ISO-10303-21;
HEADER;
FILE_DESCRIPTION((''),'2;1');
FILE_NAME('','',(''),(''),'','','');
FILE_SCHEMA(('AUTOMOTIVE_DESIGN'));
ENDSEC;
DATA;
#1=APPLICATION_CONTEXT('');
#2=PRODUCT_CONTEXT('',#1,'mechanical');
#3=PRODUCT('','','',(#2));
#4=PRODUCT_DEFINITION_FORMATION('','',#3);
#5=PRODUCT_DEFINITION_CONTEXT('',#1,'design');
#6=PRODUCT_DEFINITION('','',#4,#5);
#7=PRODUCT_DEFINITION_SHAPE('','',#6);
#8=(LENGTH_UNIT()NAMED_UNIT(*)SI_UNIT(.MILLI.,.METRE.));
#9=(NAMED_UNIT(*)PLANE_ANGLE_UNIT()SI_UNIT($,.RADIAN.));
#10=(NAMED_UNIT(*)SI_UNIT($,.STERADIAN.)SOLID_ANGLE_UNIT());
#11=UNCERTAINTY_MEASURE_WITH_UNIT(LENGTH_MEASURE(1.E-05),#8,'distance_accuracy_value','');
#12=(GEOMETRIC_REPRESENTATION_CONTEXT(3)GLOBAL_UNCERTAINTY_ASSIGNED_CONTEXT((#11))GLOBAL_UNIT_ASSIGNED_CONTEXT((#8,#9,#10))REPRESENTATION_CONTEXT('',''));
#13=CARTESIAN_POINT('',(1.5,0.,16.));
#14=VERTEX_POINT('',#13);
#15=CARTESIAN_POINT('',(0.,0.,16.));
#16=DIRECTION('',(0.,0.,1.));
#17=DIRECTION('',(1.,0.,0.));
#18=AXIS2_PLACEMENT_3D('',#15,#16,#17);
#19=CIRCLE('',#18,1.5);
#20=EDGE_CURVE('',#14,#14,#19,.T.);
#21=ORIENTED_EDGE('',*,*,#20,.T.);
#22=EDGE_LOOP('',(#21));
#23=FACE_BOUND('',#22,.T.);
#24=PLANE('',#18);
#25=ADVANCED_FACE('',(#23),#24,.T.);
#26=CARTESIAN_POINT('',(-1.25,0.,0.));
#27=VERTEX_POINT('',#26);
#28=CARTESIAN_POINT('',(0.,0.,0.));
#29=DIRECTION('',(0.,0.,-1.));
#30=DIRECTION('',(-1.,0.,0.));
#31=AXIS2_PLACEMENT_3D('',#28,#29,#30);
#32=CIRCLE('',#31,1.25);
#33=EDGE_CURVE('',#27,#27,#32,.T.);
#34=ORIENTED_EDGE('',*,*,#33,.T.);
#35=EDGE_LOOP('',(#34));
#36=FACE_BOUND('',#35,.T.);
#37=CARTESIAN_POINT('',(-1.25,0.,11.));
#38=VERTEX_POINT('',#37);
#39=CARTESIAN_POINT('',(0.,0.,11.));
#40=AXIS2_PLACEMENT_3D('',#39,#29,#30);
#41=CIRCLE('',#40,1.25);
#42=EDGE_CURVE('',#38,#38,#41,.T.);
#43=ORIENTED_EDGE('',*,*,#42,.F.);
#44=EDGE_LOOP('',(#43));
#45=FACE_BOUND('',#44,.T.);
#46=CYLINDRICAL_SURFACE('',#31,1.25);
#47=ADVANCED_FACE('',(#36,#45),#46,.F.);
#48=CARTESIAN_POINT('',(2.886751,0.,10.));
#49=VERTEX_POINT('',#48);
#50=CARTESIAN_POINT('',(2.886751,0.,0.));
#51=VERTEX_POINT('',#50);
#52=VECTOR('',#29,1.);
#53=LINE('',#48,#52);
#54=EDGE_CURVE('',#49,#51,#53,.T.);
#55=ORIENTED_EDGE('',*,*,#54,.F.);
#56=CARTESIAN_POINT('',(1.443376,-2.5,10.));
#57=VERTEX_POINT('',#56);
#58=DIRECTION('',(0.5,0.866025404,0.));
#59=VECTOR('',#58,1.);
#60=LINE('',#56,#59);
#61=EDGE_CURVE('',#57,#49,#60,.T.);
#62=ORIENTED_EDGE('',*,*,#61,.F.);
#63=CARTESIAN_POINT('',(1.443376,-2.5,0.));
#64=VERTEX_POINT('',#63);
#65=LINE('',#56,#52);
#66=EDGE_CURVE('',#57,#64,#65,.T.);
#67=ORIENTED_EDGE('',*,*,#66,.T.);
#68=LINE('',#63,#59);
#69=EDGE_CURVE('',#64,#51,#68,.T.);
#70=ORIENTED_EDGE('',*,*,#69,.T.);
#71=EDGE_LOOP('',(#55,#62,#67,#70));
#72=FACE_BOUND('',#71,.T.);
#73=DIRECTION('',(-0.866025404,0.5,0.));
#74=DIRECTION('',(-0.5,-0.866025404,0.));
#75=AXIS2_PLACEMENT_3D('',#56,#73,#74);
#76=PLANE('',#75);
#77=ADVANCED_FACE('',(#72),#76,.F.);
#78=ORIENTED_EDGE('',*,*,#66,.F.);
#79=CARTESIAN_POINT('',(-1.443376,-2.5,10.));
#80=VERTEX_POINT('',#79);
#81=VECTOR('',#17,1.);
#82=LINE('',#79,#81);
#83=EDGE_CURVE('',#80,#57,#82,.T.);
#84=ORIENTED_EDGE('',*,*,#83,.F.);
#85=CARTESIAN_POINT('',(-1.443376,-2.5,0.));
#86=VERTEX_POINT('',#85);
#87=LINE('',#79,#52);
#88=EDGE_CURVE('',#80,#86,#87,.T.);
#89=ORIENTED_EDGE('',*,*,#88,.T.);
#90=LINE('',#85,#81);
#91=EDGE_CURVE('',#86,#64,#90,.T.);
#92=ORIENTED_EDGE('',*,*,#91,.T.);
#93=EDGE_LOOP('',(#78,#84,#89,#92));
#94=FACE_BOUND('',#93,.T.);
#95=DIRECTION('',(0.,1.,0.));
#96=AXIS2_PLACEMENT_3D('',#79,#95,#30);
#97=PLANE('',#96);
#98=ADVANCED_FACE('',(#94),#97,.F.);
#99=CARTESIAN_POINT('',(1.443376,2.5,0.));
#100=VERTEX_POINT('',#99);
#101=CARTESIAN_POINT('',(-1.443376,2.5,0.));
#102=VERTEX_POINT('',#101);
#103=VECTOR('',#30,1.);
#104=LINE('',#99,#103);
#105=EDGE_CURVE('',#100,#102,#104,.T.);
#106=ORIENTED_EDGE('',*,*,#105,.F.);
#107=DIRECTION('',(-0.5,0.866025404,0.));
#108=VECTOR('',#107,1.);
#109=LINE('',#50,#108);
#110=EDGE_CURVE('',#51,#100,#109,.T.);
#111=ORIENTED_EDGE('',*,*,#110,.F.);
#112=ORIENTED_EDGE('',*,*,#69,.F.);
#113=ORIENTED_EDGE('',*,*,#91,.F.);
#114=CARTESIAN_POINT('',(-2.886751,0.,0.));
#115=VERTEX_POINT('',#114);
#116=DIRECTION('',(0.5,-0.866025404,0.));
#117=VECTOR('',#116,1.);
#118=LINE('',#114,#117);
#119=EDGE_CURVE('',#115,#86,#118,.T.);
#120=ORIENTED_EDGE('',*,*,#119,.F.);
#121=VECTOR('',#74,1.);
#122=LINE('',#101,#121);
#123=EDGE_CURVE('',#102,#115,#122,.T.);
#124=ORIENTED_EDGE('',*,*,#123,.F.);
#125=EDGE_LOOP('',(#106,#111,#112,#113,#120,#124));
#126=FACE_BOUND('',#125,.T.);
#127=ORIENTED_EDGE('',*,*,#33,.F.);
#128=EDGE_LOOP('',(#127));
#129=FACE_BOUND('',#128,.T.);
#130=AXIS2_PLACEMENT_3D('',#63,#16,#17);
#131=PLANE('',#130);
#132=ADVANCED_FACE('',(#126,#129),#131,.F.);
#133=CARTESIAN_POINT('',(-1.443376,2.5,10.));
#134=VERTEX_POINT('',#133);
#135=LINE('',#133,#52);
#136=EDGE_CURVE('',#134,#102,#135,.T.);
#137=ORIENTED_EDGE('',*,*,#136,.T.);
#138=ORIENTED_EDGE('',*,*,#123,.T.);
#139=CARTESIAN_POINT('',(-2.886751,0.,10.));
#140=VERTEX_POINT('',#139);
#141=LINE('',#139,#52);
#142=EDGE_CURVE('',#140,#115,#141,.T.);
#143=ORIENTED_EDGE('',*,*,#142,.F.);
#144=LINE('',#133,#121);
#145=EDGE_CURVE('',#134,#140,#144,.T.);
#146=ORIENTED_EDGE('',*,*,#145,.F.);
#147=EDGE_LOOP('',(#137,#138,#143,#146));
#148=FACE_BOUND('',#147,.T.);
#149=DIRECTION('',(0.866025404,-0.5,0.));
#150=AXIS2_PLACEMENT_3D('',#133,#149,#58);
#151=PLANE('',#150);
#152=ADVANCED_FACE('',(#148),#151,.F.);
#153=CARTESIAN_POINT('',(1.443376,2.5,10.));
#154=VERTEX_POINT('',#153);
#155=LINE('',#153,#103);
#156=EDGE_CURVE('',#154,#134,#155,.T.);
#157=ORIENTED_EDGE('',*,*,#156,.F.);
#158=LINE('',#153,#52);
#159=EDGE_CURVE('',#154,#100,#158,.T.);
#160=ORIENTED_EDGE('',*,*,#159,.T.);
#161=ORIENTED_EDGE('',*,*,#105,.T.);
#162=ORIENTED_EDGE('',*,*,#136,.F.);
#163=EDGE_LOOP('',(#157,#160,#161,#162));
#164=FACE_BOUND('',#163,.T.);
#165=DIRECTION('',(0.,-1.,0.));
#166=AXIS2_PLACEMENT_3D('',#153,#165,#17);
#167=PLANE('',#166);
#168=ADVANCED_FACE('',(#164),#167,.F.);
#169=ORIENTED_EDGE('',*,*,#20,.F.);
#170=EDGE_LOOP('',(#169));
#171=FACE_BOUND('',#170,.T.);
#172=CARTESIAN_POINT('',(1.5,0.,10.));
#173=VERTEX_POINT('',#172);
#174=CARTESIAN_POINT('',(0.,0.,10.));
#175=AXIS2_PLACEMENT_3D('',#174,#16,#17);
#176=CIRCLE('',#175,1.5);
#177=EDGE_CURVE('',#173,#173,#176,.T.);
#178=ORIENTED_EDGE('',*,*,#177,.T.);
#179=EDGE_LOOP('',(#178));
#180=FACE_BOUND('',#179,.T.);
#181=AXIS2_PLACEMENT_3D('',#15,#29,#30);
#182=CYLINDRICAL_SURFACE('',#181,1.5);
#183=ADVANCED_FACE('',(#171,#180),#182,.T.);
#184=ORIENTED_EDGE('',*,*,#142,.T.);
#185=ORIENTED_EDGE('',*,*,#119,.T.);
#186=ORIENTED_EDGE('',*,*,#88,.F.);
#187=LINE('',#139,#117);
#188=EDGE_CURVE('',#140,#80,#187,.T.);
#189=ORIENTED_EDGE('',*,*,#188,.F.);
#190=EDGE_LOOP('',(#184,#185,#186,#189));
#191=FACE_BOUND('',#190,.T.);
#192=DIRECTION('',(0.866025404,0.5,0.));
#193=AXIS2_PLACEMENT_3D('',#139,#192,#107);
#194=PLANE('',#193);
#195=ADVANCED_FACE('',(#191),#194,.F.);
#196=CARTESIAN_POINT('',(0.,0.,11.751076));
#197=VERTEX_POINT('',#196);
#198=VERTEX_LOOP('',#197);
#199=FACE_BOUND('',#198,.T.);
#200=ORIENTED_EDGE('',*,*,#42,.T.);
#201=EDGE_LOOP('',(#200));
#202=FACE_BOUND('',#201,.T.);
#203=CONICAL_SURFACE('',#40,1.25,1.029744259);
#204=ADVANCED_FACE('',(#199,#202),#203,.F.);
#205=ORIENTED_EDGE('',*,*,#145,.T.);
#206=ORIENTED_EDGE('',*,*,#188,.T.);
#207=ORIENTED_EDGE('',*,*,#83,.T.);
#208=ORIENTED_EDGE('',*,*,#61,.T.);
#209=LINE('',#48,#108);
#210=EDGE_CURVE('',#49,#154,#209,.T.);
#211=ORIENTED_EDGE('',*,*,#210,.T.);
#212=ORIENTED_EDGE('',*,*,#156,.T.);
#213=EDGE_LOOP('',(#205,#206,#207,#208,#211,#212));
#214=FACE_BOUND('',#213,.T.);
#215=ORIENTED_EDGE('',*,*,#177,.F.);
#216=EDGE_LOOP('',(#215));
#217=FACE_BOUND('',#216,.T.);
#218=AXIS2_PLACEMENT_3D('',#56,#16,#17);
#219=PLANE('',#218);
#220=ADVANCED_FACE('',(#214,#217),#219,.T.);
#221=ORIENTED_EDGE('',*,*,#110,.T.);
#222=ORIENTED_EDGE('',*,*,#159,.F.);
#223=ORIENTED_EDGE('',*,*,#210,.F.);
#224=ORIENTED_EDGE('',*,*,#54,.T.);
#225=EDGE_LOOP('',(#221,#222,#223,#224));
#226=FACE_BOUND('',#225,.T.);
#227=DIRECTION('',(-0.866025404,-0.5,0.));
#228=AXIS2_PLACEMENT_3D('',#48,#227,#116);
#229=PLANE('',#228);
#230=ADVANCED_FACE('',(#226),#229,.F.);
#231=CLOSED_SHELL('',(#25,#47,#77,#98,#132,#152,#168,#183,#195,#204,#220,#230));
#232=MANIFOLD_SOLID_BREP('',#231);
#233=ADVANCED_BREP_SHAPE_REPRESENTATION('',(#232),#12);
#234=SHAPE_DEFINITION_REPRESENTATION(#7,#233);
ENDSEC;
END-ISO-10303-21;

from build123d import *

# Parameters (mm, degrees)
EXTRUDE_1_DEPTH = 10
SKETCH_2_R      = 1.5
EXTRUDE_2_DEPTH = 6
M3X0_5_1_D      = 2.5
M3X0_5_1_DEPTH  = 11
M3X0_5_1_TIP    = 0.751075774


with BuildPart() as part:
    # 草图1 → 拉伸1 (new body)
    with BuildSketch(Plane.XY):
        Polygon((1.443375673, -2.5), (2.886751346, 0), (1.443375673, 2.5), (-1.443375673, 2.5), (-2.886751346, 0), (-1.443375673, -2.5), align=None)
    extrude(amount=EXTRUDE_1_DEPTH)

    # 草图2 → 拉伸2 (add)
    with BuildSketch(Plane.XY.offset(10)):
        Circle(SKETCH_2_R)
    extrude(amount=EXTRUDE_2_DEPTH)

    # M3x0.5 螺纹孔1
    with Locations(Plane(origin=(0, 0, 0), x_dir=(-1, 0, 0), z_dir=(0, 0, -1))):
        with Locations((0, 0)):
            Hole(M3X0_5_1_D / 2, depth=M3X0_5_1_DEPTH)
            with Locations((0, 0, -(M3X0_5_1_DEPTH + M3X0_5_1_TIP / 2))):  # 118° drill point
                Cone(0, M3X0_5_1_D / 2, M3X0_5_1_TIP, mode=Mode.SUBTRACT)


solid = part.part
